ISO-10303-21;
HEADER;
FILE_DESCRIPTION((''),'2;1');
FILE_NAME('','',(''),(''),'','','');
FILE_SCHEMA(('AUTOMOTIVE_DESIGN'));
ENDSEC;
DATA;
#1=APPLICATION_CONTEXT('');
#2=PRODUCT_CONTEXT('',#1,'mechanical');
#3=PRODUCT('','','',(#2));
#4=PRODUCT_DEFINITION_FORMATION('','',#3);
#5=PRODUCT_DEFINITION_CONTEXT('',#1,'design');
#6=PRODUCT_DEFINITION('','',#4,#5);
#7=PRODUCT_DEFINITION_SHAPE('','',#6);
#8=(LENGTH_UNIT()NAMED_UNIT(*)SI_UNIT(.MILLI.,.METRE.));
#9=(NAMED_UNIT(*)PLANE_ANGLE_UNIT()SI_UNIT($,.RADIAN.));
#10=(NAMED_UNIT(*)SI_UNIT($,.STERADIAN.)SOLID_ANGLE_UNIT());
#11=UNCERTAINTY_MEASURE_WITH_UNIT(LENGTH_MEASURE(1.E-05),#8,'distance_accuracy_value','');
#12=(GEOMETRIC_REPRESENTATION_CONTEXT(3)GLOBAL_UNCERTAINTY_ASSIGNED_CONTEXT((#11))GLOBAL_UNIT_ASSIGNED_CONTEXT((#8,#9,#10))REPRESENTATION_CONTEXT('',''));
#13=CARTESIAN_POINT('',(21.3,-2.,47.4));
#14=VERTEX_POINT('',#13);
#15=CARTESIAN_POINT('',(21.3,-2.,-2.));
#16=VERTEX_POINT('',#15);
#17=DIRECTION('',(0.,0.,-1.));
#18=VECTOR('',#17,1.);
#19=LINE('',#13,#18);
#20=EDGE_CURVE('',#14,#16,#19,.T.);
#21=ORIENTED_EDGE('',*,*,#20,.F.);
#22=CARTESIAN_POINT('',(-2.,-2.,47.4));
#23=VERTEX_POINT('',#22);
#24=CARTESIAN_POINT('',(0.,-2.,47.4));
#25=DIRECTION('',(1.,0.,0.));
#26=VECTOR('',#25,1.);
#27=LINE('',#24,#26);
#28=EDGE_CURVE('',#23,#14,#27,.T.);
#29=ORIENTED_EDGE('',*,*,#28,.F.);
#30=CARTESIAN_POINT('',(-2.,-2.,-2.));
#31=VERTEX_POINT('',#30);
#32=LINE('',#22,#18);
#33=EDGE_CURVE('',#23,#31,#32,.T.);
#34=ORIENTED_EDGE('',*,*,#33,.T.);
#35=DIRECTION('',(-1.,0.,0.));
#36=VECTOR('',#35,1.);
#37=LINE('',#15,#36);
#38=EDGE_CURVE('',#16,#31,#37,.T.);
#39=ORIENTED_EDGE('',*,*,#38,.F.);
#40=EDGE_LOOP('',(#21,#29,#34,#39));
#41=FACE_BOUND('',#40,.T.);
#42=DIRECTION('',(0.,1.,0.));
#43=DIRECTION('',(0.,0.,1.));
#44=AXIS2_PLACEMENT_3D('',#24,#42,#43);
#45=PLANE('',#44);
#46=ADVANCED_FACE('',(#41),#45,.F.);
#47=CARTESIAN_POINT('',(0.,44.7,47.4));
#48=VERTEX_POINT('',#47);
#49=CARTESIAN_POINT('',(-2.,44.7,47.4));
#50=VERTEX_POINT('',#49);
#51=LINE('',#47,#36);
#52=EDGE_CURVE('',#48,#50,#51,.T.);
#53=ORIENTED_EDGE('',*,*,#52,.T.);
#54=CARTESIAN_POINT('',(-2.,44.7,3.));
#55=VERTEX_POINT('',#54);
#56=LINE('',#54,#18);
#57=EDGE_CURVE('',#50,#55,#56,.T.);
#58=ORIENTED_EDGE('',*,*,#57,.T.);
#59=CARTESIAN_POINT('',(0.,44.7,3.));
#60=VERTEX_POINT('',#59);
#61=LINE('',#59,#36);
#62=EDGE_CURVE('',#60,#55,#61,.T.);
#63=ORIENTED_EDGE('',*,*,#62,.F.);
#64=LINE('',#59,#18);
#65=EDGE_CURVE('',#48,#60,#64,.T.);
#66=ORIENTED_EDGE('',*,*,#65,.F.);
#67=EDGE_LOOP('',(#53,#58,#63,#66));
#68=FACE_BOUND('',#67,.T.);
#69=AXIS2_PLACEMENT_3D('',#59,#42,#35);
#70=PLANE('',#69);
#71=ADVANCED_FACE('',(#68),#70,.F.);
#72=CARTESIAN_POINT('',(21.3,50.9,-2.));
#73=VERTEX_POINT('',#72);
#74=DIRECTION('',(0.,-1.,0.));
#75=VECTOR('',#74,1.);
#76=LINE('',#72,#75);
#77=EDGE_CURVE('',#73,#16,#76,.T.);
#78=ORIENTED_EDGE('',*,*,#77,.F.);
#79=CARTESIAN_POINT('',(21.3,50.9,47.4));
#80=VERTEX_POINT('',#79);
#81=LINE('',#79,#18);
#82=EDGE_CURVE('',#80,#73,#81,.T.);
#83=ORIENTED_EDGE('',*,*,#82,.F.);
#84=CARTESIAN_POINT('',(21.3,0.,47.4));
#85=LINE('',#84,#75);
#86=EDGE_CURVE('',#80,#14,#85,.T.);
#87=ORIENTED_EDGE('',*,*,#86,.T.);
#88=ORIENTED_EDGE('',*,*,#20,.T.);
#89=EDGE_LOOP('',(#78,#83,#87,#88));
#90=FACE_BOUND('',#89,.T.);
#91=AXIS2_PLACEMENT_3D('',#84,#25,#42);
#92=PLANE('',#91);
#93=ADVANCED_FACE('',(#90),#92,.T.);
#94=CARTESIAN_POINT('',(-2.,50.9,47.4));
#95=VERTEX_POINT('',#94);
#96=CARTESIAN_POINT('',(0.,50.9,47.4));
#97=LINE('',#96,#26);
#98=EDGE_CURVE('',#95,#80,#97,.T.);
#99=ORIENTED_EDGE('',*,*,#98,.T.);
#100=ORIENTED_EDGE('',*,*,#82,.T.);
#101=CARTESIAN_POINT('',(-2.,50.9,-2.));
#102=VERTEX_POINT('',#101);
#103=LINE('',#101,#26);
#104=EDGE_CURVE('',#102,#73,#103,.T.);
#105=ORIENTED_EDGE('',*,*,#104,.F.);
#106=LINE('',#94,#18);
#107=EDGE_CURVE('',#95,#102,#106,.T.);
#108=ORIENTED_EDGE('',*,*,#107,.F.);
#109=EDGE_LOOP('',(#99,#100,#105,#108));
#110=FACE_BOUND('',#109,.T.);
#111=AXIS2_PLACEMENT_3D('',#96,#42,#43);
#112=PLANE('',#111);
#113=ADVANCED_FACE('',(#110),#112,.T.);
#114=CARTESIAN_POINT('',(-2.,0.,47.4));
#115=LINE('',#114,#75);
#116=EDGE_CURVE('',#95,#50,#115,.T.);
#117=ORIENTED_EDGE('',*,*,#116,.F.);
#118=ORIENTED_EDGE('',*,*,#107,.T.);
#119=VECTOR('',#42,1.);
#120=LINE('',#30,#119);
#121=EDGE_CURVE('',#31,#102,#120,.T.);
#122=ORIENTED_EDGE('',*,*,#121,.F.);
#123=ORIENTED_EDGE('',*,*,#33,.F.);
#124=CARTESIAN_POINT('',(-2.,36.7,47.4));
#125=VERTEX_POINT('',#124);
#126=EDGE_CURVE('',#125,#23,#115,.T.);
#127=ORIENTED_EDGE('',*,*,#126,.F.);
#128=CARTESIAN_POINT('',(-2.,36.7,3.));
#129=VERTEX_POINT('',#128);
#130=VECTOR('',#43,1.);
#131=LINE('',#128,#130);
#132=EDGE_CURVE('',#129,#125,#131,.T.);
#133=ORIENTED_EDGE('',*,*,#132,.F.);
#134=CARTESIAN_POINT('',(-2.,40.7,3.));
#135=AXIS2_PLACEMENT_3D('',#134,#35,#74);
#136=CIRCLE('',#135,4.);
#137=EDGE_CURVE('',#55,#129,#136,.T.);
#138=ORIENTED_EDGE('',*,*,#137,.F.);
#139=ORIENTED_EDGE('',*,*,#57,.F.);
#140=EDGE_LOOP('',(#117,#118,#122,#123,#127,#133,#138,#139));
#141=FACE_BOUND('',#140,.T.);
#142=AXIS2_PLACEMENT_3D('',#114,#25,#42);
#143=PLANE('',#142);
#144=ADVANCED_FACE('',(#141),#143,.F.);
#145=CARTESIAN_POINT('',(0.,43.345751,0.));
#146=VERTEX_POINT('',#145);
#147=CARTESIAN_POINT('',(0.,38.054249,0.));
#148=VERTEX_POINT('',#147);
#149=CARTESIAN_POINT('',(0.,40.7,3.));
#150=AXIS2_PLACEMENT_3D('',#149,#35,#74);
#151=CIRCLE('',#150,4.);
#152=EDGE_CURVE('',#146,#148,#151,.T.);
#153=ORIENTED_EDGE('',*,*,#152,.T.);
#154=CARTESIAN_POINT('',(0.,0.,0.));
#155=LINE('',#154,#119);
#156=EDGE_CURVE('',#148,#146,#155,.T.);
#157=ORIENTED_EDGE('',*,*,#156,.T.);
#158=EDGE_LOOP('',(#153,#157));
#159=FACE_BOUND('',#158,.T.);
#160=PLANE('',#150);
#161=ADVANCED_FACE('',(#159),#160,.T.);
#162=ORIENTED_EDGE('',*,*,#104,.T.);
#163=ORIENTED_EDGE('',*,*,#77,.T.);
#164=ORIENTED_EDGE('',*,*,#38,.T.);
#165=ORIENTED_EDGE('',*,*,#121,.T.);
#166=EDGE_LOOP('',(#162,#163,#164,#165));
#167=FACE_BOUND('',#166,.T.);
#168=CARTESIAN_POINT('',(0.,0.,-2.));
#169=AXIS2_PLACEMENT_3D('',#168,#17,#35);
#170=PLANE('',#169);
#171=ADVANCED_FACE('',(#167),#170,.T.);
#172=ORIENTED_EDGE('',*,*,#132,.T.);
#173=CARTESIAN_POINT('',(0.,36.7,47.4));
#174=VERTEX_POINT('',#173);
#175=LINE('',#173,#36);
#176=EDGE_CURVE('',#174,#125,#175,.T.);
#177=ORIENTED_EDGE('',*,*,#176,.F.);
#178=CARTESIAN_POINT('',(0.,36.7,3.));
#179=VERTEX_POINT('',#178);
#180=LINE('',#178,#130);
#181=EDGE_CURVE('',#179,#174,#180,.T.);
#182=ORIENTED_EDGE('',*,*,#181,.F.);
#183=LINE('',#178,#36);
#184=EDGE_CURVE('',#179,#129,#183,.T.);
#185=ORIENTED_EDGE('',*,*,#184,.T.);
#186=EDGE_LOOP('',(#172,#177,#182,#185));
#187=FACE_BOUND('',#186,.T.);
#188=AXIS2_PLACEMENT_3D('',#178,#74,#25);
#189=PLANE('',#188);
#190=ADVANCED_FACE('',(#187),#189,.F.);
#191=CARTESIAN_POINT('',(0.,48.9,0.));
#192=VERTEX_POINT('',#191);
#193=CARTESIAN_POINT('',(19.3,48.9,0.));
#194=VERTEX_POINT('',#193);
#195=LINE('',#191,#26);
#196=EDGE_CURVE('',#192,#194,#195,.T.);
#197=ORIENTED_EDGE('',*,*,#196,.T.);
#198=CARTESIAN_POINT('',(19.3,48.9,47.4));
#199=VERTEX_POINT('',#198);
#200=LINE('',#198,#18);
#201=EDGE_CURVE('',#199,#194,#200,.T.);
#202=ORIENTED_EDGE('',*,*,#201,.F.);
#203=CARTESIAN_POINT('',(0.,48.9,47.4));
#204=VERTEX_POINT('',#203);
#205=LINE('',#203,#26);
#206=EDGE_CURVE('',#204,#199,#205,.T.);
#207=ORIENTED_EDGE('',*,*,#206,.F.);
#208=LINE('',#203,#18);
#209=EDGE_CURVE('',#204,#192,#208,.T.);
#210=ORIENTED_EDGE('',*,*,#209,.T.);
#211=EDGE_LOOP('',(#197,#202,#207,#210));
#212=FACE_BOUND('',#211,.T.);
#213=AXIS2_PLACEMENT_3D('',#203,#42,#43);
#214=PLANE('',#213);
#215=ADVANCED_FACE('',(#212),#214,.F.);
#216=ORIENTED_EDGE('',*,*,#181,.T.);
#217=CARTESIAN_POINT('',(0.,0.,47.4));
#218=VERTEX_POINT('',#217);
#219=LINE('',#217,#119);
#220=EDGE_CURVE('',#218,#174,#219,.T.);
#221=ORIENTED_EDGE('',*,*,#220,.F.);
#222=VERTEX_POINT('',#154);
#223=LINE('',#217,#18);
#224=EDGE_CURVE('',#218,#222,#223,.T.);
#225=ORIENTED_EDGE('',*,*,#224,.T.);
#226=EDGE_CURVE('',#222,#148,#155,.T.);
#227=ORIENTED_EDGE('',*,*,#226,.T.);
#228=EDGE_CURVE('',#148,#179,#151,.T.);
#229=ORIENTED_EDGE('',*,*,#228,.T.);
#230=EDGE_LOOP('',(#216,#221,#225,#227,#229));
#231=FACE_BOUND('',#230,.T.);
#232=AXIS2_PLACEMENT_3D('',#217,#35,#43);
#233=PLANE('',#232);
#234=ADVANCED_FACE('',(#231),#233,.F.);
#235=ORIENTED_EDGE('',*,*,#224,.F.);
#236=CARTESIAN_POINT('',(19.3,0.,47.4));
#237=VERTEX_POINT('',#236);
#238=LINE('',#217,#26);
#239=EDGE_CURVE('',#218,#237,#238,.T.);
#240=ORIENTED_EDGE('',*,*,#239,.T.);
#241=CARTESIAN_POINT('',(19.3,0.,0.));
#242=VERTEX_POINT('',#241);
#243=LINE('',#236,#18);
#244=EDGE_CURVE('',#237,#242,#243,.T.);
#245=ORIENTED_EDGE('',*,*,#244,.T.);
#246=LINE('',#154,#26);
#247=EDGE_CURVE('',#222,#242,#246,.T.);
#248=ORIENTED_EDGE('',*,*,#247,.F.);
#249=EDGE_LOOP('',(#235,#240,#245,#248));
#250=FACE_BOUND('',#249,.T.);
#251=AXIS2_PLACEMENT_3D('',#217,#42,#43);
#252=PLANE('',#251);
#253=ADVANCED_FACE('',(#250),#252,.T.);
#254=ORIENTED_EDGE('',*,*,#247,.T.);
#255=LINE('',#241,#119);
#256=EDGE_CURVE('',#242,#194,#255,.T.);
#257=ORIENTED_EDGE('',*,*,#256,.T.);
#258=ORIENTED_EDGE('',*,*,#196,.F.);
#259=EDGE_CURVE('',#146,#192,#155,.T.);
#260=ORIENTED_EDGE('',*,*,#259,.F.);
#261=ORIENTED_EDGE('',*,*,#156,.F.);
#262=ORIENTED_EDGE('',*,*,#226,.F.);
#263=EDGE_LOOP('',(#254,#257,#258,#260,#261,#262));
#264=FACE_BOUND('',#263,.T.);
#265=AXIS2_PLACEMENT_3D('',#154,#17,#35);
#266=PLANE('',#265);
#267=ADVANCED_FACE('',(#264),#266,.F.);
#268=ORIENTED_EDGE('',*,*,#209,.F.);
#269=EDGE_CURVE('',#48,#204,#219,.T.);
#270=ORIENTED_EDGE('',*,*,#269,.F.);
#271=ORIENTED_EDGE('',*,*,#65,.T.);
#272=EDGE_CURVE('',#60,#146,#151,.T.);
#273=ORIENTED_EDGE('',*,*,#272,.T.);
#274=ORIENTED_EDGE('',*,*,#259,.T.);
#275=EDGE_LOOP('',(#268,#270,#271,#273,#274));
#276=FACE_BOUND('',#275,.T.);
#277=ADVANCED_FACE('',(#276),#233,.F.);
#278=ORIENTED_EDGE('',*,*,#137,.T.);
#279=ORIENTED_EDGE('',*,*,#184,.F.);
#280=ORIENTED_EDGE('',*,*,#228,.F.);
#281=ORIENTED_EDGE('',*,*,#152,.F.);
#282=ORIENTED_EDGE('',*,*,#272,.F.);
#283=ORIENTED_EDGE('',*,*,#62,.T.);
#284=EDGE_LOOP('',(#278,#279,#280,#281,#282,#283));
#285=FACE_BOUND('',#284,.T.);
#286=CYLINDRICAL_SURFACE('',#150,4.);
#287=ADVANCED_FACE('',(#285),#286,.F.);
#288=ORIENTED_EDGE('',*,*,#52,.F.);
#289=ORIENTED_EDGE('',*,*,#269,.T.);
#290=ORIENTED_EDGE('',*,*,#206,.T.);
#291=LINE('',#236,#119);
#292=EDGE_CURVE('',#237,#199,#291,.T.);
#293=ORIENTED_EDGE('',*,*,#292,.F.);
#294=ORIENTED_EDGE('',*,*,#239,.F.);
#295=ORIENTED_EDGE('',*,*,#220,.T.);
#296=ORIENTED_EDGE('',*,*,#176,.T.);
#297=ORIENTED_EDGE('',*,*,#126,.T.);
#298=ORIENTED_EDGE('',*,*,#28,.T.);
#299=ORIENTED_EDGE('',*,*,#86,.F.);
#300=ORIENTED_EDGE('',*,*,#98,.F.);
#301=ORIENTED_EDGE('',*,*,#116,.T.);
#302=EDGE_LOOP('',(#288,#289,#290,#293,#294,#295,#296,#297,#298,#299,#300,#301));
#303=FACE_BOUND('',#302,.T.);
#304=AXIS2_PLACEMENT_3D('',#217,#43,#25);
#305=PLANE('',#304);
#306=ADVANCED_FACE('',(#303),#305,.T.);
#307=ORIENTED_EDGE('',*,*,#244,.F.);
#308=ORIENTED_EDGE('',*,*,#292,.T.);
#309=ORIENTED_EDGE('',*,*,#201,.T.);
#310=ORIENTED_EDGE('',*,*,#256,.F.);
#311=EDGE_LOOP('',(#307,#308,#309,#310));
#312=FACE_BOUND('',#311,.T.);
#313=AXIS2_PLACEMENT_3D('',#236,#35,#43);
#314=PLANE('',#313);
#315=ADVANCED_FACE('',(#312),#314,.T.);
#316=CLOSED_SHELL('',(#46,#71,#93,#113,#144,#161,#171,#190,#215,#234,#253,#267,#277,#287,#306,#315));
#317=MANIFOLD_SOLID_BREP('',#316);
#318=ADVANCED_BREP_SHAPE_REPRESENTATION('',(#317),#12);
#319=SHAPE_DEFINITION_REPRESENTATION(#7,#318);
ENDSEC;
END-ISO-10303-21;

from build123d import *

# Parameters (mm, degrees)
SKETCH1_W           = 23.3
SKETCH1_H           = 52.9
SKETCH1_W_2         = 19.3
SKETCH1_H_2         = 48.9
BOSS_EXTRUDE1_DEPTH = 47.4
SKETCH2_W           = 23.3
SKETCH2_H           = 52.9
BOSS_EXTRUDE2_DEPTH = 2
CUT_EXTRUDE1_DEPTH  = 2


with BuildPart() as part:
    # Sketch1 → Boss-Extrude1 (new body)
    with BuildSketch(Plane.XY):
        with Locations((9.65, 24.45)):
            Rectangle(SKETCH1_W, SKETCH1_H)
        with Locations((9.65, 24.45)):
            Rectangle(SKETCH1_W_2, SKETCH1_H_2, mode=Mode.SUBTRACT)
    extrude(amount=BOSS_EXTRUDE1_DEPTH)

    # Sketch2 → Boss-Extrude2 (add)
    with BuildSketch(Plane(origin=(0, 0, 0), x_dir=(-1, 0, 0), z_dir=(0, 0, -1))):
        with Locations((-9.65, 24.45)):
            Rectangle(SKETCH2_W, SKETCH2_H)
    extrude(amount=BOSS_EXTRUDE2_DEPTH)

    # Sketch3 → Cut-Extrude1 (cut)
    with BuildSketch(Plane.ZY.offset(2)):
        with BuildLine():
            Line((3, 44.7), (47.4, 44.7))
            ThreePointArc((47.4, 44.7), (51.4, 40.7), (47.4, 36.7))
            Line((47.4, 36.7), (3, 36.7))
            ThreePointArc((3, 36.7), (-1, 40.7), (3, 44.7))
        make_face()
    extrude(amount=-CUT_EXTRUDE1_DEPTH, mode=Mode.SUBTRACT)


solid = part.part
